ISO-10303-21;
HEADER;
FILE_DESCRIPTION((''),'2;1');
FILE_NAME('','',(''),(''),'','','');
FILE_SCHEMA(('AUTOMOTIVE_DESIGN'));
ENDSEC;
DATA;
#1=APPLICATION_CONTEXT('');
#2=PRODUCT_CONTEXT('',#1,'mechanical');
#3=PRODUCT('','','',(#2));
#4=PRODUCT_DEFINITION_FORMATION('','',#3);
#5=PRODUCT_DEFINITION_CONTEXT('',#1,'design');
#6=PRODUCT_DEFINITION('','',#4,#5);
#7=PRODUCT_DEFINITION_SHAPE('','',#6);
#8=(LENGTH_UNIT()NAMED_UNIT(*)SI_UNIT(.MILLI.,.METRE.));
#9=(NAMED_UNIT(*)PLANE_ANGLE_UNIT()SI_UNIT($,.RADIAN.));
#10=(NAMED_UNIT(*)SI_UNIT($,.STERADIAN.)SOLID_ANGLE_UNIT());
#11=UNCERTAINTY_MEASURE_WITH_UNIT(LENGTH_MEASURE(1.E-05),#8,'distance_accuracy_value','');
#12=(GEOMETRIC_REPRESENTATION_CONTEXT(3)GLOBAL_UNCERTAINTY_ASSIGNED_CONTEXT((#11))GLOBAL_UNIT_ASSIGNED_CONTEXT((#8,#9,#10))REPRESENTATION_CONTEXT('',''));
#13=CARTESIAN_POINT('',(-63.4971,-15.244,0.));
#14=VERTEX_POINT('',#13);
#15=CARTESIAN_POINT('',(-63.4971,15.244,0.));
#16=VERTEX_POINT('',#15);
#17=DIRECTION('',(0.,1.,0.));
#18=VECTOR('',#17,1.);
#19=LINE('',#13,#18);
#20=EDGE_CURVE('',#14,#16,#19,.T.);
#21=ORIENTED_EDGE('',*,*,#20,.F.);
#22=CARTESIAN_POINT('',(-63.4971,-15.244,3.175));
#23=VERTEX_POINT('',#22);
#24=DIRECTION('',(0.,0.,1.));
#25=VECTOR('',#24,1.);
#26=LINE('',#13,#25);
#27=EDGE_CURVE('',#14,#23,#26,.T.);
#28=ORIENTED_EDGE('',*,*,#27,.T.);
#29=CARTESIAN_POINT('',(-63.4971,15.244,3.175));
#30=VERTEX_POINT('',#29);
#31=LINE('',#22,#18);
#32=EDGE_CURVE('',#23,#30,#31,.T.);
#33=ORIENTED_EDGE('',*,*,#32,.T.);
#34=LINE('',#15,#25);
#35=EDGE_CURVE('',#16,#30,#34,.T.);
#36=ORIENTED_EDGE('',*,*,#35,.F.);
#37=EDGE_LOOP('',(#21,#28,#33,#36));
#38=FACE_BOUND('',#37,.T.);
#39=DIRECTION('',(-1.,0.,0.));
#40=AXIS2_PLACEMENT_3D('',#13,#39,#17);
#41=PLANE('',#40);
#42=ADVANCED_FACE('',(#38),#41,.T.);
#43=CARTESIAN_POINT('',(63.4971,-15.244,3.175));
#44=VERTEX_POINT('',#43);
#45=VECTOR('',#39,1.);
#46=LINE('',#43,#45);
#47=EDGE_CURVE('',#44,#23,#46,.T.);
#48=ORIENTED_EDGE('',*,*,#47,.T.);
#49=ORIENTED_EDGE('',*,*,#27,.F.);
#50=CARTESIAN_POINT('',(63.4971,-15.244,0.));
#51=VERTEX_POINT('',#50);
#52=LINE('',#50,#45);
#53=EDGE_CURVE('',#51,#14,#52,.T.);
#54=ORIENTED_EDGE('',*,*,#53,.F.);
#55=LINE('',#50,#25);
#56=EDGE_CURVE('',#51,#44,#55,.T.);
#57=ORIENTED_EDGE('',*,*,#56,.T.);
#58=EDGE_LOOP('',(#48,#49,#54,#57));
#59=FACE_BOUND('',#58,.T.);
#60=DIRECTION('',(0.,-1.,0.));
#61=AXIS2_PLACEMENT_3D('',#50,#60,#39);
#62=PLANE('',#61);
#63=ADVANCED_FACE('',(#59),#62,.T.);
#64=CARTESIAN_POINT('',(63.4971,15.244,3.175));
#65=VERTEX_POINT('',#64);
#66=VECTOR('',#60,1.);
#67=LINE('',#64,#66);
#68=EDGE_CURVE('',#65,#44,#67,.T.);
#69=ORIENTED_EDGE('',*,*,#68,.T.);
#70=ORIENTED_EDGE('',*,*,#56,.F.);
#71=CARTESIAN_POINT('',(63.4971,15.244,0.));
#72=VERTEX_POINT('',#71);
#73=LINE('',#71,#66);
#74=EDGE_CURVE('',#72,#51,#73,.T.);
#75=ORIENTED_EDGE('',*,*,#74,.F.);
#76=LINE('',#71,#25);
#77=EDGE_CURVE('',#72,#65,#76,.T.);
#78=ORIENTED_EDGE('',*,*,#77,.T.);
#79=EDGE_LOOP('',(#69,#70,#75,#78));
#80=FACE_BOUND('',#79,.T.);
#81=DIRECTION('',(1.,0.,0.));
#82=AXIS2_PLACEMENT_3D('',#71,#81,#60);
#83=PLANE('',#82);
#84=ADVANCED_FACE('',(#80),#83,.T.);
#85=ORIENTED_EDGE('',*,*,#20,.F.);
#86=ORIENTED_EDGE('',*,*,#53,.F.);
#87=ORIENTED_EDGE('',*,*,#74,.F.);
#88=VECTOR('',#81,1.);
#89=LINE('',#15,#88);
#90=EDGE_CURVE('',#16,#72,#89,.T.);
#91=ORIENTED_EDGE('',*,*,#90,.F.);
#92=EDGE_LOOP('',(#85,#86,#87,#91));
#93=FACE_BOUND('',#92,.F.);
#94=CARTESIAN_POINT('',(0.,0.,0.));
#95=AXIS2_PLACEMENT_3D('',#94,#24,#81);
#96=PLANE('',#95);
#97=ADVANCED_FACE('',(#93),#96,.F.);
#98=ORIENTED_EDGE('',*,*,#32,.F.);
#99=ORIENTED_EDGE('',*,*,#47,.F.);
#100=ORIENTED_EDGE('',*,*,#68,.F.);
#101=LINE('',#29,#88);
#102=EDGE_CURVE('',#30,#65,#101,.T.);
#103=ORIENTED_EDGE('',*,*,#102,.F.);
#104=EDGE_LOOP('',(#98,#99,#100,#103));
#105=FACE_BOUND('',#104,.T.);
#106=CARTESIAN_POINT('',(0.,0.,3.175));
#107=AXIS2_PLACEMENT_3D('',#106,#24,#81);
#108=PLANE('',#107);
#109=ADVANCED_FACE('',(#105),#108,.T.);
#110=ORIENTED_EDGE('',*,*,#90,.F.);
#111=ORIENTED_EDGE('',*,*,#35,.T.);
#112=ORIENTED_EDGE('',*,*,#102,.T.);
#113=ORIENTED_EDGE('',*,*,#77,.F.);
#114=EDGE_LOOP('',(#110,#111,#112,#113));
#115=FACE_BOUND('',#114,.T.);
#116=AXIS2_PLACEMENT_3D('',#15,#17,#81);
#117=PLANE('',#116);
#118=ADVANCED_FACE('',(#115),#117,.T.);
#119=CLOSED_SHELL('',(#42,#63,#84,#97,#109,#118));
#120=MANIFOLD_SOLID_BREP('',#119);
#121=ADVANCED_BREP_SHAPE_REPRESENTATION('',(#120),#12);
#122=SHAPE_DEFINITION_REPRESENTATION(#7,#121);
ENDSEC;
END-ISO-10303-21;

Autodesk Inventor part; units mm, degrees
ref_plane "YZ Plane" through (0, 0, 0) normal (1, 0, 0) x (0, 1, 0)
ref_plane "XZ Plane" through (0, 0, 0) normal (0, 1, 0) x (-1, 0, 0)
ref_plane "XY Plane" through (0, 0, 0) normal (0, 0, 1) x (1, 0, 0)
sketch "Sketch1" plane through (0, 0, 0) normal (0, 0, 1) x (1, 0, 0)
  line L0 (63.4971, -15.244) -> (-63.4971, -15.244)
  line L1 (-63.4971, -15.244) -> (-63.4971, 15.244)
  line L2 (-63.4971, 15.244) -> (63.4971, 15.244)
  line L3 (63.4971, 15.244) -> (63.4971, -15.244)
  line L4 (63.4971, -15.244) -> (-63.4971, 15.244) construction
  line L5 (-63.4971, -15.244) -> (63.4971, 15.244) construction
  point P0 (0, 0)
extrude "Extrusion1" add sketch "Sketch1" along normal blind 3.175
properties part number "mini-JLT_placeholder"
